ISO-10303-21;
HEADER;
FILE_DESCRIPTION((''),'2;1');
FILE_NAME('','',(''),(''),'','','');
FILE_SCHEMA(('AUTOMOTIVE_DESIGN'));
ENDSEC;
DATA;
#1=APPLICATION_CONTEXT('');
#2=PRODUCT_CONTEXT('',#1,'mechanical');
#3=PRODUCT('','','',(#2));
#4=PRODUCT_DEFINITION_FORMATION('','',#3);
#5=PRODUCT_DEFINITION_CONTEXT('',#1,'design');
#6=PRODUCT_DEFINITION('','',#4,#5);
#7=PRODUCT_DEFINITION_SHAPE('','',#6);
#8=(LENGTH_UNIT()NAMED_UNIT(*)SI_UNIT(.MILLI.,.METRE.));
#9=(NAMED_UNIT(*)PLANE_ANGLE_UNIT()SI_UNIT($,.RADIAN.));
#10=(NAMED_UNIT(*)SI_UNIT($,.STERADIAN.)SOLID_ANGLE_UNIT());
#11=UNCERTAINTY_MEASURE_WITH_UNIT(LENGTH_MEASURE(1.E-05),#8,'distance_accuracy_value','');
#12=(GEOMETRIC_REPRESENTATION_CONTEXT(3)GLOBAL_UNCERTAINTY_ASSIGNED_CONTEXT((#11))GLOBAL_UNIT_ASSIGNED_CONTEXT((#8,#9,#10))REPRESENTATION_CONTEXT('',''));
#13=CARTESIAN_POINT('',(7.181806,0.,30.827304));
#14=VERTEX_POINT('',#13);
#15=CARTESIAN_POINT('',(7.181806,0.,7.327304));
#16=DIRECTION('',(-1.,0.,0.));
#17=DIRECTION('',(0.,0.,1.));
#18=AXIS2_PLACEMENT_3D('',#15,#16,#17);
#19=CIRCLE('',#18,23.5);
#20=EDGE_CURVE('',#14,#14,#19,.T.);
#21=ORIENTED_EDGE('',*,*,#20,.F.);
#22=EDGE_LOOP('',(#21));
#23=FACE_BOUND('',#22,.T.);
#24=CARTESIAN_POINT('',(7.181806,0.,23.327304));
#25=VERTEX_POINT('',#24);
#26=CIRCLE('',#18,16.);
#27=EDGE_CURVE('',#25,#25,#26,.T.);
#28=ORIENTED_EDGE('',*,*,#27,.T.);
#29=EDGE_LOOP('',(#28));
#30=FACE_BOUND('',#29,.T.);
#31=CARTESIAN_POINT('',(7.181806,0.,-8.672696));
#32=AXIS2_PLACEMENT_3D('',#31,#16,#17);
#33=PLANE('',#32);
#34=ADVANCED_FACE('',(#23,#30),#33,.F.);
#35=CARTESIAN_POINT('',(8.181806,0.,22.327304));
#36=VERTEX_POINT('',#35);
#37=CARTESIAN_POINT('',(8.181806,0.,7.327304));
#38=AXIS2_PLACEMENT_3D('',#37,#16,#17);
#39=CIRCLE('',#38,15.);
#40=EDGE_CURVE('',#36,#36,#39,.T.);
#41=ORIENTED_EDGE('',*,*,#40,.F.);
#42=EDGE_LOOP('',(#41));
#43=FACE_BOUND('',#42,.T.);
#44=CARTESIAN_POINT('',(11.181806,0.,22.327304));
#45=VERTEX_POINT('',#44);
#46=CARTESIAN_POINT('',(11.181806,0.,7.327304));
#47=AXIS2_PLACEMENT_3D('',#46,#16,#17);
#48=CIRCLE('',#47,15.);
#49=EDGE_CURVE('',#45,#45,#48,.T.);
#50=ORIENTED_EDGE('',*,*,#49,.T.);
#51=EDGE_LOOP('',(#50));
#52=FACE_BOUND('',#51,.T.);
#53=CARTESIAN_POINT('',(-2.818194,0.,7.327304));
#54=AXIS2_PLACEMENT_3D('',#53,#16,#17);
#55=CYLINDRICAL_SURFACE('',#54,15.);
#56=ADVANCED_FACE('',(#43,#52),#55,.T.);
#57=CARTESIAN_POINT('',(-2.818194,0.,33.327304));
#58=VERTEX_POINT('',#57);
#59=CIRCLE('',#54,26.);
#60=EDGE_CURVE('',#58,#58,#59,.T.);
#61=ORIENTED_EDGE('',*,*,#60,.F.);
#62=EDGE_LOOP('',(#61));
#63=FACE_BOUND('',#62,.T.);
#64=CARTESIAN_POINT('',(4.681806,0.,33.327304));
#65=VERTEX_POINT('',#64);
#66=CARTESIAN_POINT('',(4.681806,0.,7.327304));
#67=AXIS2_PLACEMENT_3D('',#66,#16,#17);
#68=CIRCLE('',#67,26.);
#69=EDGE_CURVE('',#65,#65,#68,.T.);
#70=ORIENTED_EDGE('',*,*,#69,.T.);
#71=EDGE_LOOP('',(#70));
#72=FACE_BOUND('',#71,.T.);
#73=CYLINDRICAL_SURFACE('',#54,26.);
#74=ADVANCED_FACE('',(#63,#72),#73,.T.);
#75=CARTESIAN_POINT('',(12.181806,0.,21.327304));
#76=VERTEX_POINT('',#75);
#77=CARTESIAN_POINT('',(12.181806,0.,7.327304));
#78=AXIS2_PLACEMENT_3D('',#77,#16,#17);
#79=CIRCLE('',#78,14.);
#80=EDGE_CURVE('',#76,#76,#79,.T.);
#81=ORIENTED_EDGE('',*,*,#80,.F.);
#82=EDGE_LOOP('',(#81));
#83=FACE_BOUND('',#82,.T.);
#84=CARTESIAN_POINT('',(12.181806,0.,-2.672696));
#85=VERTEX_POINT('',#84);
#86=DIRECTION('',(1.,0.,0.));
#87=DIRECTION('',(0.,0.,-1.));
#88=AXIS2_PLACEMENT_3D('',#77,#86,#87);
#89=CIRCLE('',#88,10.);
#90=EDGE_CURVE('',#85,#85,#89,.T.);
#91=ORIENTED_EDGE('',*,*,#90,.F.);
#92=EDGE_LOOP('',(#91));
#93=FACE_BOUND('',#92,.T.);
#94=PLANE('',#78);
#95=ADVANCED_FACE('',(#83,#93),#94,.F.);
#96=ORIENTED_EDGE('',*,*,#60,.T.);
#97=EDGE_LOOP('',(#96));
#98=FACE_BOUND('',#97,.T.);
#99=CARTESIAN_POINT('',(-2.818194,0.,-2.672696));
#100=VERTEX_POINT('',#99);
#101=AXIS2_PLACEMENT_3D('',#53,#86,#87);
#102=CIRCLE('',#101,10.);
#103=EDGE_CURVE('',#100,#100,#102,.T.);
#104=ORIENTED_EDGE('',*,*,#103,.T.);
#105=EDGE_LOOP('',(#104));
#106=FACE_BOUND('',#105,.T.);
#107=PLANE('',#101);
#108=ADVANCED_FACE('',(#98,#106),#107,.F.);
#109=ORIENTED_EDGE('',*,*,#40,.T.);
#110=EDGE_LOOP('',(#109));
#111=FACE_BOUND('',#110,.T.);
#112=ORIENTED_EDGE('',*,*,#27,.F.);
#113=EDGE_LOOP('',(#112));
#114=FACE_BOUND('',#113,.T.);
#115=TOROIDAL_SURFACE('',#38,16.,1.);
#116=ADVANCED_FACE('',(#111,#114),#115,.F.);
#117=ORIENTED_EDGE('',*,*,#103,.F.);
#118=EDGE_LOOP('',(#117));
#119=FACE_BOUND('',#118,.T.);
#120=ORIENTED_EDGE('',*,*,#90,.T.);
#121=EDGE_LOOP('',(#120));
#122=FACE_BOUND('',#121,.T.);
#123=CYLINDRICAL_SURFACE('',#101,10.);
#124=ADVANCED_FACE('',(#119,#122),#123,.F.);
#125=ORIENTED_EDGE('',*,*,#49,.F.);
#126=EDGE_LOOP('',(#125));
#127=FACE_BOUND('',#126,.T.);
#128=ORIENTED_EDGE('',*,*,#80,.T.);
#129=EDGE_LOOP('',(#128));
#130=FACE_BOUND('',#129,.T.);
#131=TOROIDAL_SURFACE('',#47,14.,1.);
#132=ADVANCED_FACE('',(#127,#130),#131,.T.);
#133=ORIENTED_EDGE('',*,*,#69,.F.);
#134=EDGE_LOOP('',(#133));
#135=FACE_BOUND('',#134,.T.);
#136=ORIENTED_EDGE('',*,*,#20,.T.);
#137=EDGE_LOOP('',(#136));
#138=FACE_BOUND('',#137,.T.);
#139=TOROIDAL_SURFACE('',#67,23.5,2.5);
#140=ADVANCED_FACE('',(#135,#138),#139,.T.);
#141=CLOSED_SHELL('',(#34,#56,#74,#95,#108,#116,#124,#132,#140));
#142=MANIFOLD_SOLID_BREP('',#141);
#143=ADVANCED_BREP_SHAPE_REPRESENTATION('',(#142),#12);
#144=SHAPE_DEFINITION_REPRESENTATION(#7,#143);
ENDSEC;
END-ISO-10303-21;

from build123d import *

# Parameters (mm, degrees)
SKETCH2_R      = 10
EXTRUDE1_DEPTH = 16


with BuildPart() as part:
    # Sketch1 → Revolve1 (revolve)
    with BuildSketch(Plane(origin=(0, 0, 0), x_dir=(1, 0, 0), z_dir=(0, 1, 0))):
        with BuildLine():
            Line((-2.818193867, -7.327304055), (1.105880126, -7.327304055))
            Line((1.105880126, -7.327304055), (12.181806133, -7.327304055))
            Line((12.181806133, -7.327304055), (12.181806133, 6.672695945))
            ThreePointArc((12.181806133, 6.672695945), (11.888912914, 7.379802726), (11.181806133, 7.672695945))
            Line((11.181806133, 7.672695945), (8.181806133, 7.672695945))
            ThreePointArc((8.181806133, 7.672695945), (7.474699351, 7.965589164), (7.181806133, 8.672695945))
            Line((7.181806133, 8.672695945), (7.181806133, 16.172695945))
            ThreePointArc((7.181806133, 16.172695945), (6.449573086, 17.940462898), (4.681806133, 18.672695945))
            Line((4.681806133, 18.672695945), (-2.818193867, 18.672695945))
            Line((-2.818193867, 18.672695945), (-2.818193867, -7.327304055))
        make_face()
    revolve(axis=Axis((-2.818193867, 0, 7.327304055), (1, 0, 0)))

    # Sketch2 → Extrude1 (cut, through all)
    with BuildSketch(Plane(origin=(12.181806133, 0, 0), x_dir=(0, 0, -1), z_dir=(1, 0, 0))):
        with Locations((-7.327304055, 0)):
            Circle(SKETCH2_R)
    extrude(amount=-EXTRUDE1_DEPTH, mode=Mode.SUBTRACT)


solid = part.part
